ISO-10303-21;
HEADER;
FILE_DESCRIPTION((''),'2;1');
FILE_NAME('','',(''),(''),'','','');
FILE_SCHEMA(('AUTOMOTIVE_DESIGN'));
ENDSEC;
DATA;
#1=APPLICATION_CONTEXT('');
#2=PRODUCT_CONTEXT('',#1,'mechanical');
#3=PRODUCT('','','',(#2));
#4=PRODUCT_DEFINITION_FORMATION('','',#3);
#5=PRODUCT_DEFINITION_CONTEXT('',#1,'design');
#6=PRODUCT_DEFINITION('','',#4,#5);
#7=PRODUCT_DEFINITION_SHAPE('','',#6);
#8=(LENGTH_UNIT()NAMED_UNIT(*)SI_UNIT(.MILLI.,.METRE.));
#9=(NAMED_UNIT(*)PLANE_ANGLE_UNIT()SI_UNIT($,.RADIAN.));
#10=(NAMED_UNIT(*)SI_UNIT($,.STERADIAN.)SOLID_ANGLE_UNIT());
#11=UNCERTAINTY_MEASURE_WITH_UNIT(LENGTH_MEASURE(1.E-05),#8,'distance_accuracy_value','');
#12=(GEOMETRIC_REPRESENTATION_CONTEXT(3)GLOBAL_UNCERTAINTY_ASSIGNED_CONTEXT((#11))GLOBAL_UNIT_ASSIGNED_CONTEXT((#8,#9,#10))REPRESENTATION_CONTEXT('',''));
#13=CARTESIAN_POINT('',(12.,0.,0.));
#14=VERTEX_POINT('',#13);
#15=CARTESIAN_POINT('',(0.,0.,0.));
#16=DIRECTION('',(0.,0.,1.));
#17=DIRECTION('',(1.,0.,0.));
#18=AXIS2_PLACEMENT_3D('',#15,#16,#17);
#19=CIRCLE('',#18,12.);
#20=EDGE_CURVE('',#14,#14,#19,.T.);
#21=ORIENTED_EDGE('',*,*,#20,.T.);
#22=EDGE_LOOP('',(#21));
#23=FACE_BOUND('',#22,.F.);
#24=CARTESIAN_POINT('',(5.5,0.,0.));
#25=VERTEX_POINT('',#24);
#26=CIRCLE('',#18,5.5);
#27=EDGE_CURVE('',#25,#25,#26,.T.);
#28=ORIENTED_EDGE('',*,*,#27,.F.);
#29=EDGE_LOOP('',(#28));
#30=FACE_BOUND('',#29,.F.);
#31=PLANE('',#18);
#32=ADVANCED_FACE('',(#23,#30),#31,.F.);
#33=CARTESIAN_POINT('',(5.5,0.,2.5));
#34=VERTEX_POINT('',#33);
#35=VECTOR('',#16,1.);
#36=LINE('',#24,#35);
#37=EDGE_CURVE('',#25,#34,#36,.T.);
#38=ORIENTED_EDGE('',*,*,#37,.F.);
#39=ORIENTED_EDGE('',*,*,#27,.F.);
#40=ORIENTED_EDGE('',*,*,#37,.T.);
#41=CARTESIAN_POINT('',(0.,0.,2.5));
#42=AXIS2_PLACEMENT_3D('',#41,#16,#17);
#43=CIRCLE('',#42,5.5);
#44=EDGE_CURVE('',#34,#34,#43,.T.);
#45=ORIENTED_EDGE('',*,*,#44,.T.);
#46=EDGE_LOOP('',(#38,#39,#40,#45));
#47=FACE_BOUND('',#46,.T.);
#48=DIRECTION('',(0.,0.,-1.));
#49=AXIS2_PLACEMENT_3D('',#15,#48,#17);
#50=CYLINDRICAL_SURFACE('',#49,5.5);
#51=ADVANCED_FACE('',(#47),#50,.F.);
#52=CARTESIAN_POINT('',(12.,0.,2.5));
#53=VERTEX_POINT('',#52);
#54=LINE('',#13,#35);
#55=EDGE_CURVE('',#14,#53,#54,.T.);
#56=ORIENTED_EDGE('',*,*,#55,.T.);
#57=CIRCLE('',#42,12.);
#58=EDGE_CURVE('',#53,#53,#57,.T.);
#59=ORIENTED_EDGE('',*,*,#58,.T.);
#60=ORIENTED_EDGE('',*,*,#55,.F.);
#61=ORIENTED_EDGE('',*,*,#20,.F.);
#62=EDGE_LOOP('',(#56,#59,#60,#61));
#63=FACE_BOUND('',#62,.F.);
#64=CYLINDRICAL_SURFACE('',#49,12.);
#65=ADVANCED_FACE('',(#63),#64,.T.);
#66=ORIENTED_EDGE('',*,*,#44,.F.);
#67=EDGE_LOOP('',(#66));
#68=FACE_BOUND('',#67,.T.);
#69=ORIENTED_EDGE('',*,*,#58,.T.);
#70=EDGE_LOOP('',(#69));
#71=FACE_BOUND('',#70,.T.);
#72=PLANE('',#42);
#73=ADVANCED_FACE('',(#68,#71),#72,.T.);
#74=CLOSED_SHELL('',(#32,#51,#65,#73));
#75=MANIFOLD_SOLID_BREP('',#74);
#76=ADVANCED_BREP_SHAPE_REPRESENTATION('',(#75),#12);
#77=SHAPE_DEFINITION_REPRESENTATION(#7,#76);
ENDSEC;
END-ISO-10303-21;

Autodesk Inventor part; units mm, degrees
ref_plane "YZ Plane" through (0, 0, 0) normal (1, 0, 0) x (0, 1, 0)
ref_plane "XZ Plane" through (0, 0, 0) normal (0, 1, 0) x (-1, 0, 0)
ref_plane "XY Plane" through (0, 0, 0) normal (0, 0, 1) x (1, 0, 0)
sketch "Boceto1" plane through (0, 0, 0) normal (0, 0, 1) x (1, 0, 0)
  circle A0 centre (0, 0) radius 5.5
  circle A1 centre (0, 0) radius 12
  dimension "d0" = 11
  dimension "d1" = 24
extrude "Extrusión1" add sketch "Boceto1" along normal blind 2.5
properties part number "Rondana"
